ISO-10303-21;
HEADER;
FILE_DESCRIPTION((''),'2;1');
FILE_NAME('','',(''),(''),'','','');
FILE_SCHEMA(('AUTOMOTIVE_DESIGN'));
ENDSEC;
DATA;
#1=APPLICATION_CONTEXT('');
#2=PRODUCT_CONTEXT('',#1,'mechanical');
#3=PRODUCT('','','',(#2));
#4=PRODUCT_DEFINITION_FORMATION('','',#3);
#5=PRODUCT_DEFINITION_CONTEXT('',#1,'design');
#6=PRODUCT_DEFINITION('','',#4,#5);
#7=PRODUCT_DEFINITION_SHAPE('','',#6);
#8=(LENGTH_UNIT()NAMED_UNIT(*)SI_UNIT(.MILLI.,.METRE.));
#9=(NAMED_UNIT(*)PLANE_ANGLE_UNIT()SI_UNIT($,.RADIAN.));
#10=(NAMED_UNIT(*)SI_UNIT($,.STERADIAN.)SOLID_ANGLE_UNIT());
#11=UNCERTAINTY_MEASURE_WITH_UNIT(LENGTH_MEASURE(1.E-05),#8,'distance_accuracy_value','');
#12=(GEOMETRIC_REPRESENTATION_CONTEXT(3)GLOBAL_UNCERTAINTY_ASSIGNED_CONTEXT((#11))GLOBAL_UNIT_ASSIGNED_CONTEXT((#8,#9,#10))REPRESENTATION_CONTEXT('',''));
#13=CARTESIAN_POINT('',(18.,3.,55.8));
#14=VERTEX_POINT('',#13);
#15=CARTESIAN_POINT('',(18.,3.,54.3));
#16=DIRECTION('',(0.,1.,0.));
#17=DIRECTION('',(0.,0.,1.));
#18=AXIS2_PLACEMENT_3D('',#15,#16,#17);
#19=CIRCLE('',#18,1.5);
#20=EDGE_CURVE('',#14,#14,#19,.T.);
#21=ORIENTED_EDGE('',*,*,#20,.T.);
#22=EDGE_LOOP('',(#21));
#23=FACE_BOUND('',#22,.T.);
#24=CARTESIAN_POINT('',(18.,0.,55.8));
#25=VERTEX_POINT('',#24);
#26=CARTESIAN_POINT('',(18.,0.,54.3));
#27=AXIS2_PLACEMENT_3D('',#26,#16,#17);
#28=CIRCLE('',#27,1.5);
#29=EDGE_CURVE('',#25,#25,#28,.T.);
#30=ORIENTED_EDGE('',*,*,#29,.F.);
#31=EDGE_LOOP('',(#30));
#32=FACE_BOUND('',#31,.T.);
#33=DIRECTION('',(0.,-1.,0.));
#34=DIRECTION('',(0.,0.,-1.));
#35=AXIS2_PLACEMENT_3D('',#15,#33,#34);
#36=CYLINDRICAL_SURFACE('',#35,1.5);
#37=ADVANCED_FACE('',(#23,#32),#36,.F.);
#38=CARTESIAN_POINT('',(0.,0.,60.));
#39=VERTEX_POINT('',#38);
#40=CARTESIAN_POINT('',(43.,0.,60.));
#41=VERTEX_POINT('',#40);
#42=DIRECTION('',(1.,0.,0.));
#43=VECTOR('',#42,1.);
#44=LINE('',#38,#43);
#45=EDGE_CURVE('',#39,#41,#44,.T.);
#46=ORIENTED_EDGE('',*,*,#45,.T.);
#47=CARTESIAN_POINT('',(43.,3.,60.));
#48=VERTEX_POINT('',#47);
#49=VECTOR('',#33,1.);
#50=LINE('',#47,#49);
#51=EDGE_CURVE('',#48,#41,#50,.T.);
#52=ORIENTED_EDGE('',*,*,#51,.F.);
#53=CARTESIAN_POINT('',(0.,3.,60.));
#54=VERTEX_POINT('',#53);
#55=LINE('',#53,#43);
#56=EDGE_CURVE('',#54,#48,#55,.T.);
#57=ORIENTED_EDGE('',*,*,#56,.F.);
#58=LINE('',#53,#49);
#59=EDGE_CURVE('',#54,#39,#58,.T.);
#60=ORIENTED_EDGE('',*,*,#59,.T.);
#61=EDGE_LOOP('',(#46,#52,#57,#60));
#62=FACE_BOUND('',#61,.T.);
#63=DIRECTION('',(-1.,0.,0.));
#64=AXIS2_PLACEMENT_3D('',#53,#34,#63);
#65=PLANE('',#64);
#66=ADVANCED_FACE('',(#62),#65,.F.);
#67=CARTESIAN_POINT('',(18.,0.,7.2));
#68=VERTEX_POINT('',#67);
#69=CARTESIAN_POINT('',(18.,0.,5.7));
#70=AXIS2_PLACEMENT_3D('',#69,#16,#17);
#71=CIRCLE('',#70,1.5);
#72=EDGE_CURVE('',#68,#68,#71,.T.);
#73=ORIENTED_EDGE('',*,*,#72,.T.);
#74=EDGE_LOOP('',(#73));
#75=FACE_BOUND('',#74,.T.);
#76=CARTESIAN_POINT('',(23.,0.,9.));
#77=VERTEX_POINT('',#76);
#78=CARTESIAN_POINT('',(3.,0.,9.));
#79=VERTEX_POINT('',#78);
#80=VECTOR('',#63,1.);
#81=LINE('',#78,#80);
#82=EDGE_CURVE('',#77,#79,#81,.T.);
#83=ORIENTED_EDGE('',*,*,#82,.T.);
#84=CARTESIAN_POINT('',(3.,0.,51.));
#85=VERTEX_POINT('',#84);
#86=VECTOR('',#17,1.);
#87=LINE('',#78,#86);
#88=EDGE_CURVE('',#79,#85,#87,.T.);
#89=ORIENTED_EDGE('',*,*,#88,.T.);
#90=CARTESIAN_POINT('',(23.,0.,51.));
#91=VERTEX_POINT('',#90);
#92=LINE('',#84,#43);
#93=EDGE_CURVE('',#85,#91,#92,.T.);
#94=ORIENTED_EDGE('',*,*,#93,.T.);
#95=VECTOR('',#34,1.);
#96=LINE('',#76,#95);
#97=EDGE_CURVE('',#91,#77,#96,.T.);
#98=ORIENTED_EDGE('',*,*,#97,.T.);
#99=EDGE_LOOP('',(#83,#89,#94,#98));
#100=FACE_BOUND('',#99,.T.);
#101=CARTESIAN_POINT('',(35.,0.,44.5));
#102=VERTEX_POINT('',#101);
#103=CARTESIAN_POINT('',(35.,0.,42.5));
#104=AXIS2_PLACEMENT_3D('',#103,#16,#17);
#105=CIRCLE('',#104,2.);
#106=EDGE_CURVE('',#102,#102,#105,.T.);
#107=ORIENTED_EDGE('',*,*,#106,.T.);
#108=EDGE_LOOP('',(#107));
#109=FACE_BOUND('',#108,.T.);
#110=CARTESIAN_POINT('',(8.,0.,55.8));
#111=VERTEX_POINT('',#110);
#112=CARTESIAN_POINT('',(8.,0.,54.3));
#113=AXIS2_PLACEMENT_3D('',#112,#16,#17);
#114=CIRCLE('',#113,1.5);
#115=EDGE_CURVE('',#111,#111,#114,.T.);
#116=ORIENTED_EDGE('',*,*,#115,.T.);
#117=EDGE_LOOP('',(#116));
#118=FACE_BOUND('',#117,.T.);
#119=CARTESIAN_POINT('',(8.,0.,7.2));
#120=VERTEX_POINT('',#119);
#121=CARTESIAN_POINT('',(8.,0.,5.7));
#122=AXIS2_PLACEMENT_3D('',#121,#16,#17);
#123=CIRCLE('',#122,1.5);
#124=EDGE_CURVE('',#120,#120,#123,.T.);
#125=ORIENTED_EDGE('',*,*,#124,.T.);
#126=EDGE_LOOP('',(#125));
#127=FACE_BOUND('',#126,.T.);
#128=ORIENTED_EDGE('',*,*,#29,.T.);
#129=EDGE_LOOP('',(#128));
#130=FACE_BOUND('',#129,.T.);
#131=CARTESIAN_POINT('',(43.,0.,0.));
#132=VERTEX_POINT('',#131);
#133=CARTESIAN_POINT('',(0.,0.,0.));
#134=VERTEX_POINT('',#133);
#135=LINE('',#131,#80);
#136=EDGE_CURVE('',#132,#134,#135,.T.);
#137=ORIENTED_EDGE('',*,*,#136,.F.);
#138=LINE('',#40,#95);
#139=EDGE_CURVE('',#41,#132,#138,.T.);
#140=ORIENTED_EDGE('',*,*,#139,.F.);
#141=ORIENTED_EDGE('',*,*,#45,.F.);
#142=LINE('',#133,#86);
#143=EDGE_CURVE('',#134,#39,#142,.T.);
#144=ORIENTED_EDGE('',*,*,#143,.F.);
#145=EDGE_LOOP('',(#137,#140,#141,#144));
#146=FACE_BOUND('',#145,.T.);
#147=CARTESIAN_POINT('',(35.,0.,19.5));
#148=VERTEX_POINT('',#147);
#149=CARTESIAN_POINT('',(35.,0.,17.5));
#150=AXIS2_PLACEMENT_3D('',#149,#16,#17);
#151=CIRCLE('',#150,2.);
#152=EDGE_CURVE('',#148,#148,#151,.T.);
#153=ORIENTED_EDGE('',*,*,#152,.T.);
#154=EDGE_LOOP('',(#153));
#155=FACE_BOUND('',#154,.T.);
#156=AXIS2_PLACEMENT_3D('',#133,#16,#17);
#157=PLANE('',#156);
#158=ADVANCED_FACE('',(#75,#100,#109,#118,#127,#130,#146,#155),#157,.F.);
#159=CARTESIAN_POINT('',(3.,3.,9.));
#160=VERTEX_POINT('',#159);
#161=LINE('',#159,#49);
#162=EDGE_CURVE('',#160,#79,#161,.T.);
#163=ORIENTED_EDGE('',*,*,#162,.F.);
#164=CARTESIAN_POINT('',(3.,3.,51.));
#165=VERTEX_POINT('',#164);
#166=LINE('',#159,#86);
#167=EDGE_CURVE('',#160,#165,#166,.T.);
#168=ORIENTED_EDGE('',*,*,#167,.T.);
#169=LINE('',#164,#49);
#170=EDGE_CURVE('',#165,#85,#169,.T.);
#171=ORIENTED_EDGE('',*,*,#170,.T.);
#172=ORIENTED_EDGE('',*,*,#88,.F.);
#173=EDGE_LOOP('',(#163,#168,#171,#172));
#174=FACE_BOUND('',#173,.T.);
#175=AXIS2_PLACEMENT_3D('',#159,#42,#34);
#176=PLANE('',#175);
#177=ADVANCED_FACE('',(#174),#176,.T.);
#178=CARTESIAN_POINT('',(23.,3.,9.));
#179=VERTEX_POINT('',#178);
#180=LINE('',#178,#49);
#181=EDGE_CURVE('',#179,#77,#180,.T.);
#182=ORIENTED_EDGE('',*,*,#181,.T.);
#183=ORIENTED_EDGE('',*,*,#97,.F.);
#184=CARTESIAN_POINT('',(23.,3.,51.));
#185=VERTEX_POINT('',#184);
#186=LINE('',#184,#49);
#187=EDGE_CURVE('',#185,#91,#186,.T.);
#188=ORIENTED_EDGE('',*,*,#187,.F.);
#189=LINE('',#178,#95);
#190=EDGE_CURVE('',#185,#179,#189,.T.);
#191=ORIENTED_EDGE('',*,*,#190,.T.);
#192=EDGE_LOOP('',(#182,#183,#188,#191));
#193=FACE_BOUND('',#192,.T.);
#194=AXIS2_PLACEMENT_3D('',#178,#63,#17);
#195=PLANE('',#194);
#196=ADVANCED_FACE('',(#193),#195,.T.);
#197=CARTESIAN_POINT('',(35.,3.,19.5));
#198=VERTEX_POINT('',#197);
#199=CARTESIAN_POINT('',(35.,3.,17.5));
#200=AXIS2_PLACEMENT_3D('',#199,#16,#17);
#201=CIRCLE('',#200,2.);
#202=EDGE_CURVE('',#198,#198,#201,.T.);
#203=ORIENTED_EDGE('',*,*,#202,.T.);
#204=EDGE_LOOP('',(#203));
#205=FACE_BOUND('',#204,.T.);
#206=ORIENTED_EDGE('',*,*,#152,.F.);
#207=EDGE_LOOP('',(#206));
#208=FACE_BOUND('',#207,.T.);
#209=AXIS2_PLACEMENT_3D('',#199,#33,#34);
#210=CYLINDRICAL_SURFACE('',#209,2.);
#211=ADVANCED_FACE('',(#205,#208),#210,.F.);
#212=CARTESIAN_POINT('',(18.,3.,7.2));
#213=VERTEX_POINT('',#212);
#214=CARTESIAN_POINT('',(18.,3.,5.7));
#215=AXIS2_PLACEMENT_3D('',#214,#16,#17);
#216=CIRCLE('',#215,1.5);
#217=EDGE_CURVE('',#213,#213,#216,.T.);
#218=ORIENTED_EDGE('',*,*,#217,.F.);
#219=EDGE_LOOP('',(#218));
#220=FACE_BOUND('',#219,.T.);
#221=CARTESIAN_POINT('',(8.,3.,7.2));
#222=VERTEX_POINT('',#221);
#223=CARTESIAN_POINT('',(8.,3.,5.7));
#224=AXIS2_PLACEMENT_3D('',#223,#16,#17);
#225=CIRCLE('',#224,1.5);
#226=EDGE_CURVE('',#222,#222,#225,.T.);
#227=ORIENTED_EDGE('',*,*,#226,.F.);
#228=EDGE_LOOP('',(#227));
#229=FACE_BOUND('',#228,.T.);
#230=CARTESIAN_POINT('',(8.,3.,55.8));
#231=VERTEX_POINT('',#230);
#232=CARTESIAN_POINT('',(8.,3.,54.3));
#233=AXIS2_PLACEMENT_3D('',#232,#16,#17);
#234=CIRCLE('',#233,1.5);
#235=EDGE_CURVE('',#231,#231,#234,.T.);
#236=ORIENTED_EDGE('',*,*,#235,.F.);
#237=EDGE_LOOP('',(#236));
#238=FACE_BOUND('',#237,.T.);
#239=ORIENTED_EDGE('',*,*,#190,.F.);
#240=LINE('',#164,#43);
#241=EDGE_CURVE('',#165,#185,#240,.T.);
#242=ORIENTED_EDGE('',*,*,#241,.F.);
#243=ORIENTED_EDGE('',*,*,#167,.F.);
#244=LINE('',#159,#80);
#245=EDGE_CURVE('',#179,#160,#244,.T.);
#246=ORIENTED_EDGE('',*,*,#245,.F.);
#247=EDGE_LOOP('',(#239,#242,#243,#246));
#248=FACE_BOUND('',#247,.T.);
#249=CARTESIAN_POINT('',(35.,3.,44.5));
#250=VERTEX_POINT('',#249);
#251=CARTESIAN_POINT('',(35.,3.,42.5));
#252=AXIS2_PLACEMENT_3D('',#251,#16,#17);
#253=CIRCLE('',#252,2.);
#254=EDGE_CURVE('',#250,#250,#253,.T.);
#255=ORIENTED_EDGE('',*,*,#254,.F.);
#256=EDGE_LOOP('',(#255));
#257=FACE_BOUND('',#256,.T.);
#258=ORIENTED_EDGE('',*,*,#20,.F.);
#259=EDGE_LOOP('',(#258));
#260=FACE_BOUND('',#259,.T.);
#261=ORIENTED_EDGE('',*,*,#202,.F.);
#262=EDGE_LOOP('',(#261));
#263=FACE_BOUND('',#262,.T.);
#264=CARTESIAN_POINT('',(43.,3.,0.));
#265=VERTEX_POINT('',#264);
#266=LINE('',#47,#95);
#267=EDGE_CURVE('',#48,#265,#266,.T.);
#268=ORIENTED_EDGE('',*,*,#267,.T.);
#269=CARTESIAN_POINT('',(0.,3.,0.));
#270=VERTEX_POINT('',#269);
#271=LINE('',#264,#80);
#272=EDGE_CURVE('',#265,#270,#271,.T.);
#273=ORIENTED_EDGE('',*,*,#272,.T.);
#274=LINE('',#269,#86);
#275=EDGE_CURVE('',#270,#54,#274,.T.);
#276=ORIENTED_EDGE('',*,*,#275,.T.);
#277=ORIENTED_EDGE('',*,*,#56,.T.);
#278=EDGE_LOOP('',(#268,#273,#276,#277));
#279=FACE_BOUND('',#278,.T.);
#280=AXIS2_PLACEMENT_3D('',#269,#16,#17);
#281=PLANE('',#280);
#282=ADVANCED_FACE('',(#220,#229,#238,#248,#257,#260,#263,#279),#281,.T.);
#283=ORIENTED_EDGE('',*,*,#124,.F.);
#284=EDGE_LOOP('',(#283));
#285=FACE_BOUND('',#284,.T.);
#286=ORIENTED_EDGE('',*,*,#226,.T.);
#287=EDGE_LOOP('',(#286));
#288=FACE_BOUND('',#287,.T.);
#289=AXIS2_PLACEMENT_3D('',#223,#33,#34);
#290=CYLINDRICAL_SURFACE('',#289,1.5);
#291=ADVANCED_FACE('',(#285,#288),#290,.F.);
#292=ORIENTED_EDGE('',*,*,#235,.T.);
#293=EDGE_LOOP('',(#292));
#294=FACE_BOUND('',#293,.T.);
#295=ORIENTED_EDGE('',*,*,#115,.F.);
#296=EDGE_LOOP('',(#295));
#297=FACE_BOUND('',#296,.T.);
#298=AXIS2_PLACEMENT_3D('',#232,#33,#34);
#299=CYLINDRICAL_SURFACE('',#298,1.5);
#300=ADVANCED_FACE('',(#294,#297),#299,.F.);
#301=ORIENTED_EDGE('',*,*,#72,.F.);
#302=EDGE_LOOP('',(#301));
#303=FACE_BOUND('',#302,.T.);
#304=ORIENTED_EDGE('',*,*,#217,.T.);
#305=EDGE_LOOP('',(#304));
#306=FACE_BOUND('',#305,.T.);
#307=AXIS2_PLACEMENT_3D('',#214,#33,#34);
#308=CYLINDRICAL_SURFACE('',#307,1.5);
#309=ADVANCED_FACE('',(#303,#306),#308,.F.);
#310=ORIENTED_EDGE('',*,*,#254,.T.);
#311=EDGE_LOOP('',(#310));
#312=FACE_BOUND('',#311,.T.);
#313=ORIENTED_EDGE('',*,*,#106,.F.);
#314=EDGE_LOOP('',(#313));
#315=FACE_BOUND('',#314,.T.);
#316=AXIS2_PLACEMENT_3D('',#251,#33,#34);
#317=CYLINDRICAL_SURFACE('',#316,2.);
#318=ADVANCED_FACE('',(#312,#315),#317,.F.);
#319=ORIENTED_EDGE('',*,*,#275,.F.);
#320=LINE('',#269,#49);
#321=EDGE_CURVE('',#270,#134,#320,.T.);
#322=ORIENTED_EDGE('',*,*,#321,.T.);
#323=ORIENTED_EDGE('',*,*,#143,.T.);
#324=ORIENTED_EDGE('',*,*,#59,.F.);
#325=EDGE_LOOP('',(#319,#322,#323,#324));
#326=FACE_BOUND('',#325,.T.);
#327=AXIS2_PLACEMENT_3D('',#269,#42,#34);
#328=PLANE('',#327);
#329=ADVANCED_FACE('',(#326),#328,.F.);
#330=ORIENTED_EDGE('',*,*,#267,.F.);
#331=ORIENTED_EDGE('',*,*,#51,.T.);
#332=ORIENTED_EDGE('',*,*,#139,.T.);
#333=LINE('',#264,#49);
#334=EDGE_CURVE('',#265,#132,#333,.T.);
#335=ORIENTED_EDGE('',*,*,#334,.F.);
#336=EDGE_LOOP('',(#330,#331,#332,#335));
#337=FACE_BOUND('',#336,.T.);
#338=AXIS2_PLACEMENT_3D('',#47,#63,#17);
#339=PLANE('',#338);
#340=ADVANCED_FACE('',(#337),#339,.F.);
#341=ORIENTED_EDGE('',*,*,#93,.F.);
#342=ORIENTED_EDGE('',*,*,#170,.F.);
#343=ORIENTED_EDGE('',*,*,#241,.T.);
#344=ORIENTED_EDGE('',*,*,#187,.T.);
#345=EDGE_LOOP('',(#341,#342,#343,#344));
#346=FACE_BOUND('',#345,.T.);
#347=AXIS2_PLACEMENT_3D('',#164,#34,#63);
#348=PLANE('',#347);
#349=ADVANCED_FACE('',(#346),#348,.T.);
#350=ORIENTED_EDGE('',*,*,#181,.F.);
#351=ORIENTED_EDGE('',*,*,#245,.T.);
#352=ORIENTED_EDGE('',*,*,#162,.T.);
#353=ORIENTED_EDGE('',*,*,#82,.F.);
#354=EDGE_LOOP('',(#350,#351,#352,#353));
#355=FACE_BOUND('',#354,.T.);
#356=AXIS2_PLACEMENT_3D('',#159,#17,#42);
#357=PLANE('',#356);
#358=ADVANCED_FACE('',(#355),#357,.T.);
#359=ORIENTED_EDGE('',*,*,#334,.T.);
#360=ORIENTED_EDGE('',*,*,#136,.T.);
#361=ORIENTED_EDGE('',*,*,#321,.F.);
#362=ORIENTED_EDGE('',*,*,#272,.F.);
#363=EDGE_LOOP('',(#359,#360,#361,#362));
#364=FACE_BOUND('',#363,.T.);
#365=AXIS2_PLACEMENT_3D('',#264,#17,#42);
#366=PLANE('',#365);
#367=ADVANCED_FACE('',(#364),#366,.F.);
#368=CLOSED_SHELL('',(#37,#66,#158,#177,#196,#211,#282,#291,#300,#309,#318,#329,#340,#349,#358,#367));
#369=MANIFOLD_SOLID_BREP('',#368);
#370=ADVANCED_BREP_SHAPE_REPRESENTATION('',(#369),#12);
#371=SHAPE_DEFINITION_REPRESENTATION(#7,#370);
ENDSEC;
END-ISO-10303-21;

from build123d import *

# Parameters (mm, degrees)
SKETCH_1_W      = 43
SKETCH_1_H      = 60
SKETCH_1_R      = 1.5
SKETCH_1_R_2    = 2
SKETCH_1_W_2    = 20
SKETCH_1_H_2    = 42
EXTRUDE_1_DEPTH = 3


with BuildPart() as part:
    # 草图1 → 凸台-拉伸1 (new body)
    with BuildSketch(Plane(origin=(0, 0, 0), x_dir=(1, 0, 0), z_dir=(0, 1, 0))):
        with Locations((21.5, -30)):
            Rectangle(SKETCH_1_W, SKETCH_1_H)
        with Locations(Location((8, -5.7, 0), (0, 0, 270))):
            Circle(SKETCH_1_R, mode=Mode.SUBTRACT)
        with Locations(Location((18, -5.7, 0), (0, 0, 270))):
            Circle(SKETCH_1_R, mode=Mode.SUBTRACT)
        with Locations(Location((8, -54.3, 0), (0, 0, 270))):
            Circle(SKETCH_1_R, mode=Mode.SUBTRACT)
        with Locations(Location((18, -54.3, 0), (0, 0, 270))):
            Circle(SKETCH_1_R, mode=Mode.SUBTRACT)
        with Locations(Location((35, -17.5, 0), (0, 0, 270))):
            Circle(SKETCH_1_R_2, mode=Mode.SUBTRACT)
        with Locations(Location((35, -42.5, 0), (0, 0, 270))):
            Circle(SKETCH_1_R_2, mode=Mode.SUBTRACT)
        with Locations((13, -30)):
            Rectangle(SKETCH_1_W_2, SKETCH_1_H_2, mode=Mode.SUBTRACT)
    extrude(amount=EXTRUDE_1_DEPTH)


solid = part.part
